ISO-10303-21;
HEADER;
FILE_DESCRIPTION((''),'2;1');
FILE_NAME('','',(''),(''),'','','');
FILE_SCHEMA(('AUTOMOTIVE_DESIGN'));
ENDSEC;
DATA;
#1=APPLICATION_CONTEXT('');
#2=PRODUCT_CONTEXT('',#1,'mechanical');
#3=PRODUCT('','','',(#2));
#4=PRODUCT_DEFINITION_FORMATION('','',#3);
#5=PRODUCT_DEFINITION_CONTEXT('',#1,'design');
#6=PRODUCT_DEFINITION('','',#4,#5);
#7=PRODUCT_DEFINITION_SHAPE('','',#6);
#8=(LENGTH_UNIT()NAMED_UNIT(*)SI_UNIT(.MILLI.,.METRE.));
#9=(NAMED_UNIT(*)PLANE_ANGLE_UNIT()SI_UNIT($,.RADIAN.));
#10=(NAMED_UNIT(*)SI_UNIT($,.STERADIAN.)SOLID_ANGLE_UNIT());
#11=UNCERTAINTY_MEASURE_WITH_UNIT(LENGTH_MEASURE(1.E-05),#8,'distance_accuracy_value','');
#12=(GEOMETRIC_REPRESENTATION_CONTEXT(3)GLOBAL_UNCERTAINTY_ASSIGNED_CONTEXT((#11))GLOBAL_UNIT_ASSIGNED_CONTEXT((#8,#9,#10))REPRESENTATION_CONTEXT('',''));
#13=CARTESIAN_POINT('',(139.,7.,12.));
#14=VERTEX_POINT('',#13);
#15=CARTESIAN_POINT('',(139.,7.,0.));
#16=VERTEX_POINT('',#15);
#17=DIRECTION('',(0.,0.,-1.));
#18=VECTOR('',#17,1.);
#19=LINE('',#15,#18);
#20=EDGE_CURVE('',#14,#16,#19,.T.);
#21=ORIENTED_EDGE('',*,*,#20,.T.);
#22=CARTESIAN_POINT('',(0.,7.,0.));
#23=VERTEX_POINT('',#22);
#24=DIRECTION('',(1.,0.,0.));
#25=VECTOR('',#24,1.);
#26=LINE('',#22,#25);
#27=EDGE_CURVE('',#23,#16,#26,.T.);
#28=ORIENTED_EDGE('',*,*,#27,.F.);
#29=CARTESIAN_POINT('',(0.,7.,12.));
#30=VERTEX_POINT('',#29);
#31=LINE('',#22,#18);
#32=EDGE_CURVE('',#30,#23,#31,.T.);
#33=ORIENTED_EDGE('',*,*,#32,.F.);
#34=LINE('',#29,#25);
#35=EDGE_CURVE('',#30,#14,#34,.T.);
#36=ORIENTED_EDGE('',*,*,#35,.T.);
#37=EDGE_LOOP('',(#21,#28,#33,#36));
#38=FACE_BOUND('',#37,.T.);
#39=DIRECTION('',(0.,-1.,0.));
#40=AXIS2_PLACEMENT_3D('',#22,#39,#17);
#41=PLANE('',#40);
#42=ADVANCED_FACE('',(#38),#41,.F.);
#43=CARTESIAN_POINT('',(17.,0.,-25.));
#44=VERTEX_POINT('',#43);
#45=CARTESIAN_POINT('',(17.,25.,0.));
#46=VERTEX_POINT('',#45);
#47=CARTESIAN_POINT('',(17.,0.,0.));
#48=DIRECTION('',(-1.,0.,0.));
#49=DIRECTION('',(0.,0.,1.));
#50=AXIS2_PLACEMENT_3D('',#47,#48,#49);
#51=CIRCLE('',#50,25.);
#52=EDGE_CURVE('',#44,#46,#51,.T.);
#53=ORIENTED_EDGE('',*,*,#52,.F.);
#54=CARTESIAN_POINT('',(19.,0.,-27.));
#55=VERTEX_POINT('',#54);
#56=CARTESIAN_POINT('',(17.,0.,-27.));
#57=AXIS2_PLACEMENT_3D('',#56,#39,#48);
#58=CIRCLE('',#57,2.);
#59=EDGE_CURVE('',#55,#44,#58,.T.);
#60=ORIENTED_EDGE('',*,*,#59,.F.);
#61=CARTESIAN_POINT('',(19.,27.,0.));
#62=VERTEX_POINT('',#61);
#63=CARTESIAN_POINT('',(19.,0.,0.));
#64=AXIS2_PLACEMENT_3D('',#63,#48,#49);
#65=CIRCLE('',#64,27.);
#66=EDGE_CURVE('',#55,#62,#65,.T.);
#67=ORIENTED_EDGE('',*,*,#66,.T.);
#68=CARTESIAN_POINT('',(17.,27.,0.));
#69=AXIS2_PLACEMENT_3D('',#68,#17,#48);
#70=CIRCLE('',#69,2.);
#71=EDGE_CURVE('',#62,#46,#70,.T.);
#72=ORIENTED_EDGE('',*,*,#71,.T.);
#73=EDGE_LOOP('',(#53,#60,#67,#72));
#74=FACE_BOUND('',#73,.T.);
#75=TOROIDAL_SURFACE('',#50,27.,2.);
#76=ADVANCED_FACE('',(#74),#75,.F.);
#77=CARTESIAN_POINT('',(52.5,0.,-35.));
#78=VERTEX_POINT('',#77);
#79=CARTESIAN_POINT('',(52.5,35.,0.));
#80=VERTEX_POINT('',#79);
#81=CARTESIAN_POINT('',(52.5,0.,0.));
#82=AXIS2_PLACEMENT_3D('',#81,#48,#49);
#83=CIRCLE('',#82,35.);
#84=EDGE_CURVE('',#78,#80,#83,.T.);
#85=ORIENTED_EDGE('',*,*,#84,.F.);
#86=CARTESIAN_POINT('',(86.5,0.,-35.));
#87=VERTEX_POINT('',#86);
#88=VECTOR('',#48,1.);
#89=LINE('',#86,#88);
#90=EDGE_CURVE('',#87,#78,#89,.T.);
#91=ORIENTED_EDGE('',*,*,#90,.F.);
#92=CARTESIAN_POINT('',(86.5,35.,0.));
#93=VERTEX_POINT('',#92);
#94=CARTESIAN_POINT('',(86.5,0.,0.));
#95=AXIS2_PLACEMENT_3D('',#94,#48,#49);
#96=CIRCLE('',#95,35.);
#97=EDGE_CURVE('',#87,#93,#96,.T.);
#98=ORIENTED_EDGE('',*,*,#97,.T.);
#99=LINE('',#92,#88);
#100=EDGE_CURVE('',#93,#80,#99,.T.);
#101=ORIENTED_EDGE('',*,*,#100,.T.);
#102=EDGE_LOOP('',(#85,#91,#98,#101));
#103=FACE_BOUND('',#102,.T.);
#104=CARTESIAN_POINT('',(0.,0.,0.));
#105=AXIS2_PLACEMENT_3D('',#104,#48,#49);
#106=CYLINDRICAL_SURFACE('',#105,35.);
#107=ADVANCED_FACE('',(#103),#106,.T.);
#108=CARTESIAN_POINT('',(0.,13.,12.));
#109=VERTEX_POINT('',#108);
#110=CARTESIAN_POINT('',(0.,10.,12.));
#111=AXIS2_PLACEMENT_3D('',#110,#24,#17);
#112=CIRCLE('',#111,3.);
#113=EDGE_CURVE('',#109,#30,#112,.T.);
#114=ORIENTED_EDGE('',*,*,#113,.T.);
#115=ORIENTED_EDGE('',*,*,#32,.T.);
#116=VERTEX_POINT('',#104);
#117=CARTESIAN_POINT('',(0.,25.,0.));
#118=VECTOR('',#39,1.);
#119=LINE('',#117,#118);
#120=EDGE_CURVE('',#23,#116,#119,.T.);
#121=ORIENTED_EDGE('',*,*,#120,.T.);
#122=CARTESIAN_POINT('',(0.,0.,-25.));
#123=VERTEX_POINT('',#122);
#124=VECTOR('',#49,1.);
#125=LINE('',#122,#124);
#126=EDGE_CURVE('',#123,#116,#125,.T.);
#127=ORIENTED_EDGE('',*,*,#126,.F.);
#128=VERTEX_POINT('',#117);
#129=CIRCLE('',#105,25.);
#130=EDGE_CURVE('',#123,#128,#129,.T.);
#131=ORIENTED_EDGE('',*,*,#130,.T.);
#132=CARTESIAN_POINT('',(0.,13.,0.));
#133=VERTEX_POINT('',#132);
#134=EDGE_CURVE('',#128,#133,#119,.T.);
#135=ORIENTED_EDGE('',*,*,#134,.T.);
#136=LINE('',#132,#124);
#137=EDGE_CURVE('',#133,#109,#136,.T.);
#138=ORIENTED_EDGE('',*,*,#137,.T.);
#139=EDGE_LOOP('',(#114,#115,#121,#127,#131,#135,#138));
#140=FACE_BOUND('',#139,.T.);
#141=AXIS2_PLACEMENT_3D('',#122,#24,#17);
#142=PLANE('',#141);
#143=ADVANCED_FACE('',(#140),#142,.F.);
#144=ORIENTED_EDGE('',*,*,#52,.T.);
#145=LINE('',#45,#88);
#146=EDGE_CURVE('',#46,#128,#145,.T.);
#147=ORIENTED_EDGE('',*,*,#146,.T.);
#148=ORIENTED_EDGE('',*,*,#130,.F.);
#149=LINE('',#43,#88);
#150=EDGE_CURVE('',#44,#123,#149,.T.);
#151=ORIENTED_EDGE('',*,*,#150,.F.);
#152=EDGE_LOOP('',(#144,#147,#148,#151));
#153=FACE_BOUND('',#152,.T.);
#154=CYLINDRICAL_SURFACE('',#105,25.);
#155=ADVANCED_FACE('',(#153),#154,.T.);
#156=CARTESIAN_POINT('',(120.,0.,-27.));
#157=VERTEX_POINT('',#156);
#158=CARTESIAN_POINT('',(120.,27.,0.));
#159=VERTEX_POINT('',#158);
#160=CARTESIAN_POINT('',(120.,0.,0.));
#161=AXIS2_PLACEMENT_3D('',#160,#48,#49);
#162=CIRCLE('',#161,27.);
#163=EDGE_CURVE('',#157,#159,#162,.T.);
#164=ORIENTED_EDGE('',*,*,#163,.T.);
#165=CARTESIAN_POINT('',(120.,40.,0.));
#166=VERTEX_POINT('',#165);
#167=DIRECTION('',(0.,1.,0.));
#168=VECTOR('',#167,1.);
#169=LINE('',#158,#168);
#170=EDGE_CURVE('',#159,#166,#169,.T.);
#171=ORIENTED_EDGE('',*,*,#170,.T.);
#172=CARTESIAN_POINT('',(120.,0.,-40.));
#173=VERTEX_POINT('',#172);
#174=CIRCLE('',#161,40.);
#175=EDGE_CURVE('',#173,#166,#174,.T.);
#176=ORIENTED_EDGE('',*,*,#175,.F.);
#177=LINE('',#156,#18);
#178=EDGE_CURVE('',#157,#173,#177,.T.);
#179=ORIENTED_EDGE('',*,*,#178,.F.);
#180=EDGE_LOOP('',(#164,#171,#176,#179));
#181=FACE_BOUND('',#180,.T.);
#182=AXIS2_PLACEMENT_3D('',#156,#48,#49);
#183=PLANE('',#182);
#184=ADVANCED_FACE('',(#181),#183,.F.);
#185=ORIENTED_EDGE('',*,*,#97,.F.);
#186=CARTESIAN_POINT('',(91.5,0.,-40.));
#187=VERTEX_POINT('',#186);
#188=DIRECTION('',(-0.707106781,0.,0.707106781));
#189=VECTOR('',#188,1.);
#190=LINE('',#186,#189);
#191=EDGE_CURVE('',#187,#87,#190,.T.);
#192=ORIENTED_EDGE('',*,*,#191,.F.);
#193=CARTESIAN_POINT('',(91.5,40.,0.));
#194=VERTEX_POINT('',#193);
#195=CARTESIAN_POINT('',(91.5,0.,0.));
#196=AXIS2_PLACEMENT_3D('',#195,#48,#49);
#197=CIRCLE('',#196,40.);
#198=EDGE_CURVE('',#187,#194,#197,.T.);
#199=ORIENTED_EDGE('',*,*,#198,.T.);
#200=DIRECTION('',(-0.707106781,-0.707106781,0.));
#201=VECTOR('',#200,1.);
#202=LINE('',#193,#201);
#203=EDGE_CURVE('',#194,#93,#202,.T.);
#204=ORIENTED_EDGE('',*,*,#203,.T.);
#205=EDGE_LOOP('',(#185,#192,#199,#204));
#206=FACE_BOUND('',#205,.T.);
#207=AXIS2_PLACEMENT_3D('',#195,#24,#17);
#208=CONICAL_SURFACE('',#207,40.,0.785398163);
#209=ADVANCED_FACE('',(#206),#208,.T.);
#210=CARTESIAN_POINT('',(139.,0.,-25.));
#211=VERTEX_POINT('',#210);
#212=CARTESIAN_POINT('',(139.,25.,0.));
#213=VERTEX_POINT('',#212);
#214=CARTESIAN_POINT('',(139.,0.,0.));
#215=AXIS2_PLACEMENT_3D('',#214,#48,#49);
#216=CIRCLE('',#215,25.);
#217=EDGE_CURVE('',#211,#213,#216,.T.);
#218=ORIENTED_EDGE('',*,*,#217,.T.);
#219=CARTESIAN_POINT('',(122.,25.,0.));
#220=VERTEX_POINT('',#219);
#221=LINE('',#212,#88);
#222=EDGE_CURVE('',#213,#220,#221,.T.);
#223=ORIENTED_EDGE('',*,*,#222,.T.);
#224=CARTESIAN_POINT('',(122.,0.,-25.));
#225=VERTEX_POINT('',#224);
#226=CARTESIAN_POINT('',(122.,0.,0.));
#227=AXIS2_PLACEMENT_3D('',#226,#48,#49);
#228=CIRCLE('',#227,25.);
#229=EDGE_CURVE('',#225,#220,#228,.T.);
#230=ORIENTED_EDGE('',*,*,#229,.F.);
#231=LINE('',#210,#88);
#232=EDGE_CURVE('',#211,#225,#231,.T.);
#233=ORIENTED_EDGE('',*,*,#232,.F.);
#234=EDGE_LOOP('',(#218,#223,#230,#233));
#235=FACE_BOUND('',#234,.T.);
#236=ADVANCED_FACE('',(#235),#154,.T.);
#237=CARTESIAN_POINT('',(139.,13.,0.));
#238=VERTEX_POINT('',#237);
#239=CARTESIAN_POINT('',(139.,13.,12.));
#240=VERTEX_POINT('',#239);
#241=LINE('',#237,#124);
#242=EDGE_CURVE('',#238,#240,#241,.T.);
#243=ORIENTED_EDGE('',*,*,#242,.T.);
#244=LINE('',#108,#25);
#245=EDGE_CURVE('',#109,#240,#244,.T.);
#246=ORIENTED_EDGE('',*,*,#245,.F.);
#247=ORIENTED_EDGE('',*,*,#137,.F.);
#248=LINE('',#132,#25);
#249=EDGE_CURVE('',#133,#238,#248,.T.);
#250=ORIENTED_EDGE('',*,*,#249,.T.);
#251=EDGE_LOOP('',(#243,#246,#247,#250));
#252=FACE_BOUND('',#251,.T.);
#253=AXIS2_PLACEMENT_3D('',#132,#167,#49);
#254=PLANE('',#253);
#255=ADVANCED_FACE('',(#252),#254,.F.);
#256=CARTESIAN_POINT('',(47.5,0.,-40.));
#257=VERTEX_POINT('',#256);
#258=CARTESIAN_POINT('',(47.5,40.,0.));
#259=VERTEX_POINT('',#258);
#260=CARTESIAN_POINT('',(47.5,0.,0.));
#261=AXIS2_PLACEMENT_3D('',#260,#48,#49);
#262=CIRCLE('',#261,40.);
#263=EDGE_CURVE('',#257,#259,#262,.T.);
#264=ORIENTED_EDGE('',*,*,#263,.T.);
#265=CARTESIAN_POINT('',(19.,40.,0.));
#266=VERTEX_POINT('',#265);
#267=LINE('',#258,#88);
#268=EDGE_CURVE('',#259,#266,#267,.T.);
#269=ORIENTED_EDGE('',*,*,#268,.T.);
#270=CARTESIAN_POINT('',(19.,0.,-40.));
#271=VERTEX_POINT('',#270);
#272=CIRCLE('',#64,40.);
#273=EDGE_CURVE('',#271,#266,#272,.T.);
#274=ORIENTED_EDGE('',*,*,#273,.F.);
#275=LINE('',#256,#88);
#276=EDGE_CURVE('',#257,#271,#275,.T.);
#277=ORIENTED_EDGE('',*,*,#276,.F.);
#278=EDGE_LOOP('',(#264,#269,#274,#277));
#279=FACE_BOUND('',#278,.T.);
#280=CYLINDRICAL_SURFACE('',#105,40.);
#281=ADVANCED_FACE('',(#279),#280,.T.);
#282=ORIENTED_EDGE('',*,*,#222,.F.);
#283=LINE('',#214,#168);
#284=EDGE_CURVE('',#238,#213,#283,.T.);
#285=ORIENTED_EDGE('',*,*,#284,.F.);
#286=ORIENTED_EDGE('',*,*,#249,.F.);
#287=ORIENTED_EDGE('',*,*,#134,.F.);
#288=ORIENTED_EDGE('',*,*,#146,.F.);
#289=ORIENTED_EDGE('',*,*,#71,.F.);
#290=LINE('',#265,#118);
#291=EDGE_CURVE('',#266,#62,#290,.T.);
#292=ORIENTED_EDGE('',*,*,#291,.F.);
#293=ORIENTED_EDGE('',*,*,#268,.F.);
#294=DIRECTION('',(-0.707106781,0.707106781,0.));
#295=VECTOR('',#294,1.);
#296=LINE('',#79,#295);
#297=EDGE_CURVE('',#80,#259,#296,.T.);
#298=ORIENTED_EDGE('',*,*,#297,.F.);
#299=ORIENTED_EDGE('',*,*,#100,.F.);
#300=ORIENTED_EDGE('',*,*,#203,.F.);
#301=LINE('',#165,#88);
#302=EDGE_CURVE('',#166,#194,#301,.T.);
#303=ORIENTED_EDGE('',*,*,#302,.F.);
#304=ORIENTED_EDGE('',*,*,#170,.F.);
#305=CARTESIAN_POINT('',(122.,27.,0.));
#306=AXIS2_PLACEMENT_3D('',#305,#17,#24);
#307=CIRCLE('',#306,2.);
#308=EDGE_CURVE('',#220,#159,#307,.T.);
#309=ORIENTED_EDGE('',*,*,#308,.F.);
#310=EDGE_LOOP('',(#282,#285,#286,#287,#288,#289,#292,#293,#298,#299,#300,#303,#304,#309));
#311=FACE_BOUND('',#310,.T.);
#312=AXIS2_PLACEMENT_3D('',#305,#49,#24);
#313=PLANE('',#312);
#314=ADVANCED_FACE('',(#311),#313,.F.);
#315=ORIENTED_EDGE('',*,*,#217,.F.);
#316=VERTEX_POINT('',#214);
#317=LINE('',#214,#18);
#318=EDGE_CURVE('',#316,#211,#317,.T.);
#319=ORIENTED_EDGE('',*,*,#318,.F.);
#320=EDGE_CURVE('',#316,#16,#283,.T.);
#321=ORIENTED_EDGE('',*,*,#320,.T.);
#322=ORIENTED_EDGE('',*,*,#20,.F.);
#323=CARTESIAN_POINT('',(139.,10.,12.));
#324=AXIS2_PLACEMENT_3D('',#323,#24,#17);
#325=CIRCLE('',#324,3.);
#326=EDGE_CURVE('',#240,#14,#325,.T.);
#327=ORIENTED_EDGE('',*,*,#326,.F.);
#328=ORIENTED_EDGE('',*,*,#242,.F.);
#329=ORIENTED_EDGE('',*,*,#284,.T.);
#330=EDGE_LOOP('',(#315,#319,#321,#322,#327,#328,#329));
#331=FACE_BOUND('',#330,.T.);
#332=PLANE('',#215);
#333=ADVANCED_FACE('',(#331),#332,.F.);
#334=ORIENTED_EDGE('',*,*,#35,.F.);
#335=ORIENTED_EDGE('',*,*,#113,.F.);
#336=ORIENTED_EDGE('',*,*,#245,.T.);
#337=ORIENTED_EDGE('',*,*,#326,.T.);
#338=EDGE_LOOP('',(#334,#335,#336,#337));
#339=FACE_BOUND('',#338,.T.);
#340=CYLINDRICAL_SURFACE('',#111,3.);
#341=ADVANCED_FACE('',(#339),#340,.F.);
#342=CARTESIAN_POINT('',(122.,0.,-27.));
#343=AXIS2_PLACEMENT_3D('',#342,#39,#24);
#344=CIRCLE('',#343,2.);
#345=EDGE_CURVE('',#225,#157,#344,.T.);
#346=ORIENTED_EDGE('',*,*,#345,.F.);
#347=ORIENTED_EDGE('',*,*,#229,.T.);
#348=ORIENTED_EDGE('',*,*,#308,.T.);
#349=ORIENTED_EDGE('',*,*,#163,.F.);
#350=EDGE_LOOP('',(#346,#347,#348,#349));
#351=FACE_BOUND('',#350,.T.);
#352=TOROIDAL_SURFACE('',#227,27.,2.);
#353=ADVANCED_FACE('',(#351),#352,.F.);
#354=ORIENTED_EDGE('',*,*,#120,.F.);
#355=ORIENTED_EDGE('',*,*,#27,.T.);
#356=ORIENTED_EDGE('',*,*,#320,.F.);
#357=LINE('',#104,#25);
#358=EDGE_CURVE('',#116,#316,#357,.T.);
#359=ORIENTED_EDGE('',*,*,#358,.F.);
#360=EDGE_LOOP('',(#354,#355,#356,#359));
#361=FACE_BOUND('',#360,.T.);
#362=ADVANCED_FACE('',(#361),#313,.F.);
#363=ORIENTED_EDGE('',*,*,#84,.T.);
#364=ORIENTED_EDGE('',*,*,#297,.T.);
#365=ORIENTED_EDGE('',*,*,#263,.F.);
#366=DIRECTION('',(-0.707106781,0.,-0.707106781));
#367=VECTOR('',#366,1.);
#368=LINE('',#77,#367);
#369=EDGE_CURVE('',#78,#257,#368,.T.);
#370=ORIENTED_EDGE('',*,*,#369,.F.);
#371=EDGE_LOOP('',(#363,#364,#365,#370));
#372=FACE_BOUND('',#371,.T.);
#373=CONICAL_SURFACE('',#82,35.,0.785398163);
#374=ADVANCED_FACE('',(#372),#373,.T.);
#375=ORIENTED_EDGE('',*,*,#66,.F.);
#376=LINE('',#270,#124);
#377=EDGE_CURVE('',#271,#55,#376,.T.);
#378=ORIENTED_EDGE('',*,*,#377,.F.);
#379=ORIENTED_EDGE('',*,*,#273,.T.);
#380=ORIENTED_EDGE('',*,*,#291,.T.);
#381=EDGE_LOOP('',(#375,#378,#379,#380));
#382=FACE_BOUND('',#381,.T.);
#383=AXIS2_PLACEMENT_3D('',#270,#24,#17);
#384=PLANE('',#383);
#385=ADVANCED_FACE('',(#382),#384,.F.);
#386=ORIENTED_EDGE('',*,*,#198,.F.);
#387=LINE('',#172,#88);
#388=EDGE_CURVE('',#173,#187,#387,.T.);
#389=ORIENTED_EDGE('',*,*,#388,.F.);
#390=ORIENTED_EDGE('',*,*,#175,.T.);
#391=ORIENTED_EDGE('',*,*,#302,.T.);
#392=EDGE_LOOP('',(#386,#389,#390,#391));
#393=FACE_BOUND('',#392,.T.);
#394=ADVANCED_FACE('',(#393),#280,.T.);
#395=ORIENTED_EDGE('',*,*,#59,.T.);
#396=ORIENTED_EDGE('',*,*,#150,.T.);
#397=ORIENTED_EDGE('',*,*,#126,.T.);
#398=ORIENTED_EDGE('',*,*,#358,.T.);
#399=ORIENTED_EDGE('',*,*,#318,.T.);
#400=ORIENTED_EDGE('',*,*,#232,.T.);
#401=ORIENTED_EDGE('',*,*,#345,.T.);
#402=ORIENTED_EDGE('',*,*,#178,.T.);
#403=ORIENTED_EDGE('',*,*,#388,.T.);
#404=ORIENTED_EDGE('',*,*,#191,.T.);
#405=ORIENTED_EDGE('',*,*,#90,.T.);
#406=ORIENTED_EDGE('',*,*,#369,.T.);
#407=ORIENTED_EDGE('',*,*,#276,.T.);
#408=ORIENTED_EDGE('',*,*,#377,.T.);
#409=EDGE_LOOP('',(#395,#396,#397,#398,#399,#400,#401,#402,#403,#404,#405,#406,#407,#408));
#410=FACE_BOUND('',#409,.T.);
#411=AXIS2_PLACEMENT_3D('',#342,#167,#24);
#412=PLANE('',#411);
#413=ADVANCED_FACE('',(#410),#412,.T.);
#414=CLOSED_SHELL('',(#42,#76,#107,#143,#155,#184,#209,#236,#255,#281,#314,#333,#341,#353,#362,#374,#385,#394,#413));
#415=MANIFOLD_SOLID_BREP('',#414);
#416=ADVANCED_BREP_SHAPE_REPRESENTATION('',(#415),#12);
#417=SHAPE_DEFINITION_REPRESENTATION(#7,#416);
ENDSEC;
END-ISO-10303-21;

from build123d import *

# Parameters (mm, degrees)
REVOLVE2_ANGLE     = 270
CUT_EXTRUDE1_DEPTH = 151.069983674


with BuildPart() as part:
    # Sketch1 → Revolve2 (revolve)
    with BuildSketch(Plane.XY):
        with BuildLine():
            Line((0, 0), (139, 0))
            Line((139, 0), (139, 25))
            Line((139, 25), (122, 25))
            ThreePointArc((122, 25), (120.585786438, 25.585786438), (120, 27))
            Line((120, 27), (120, 40))
            Line((120, 40), (91.5, 40))
            Line((91.5, 40), (86.5, 35))
            Line((86.5, 35), (52.5, 35))
            Line((52.5, 35), (47.5, 40))
            Line((47.5, 40), (19, 40))
            Line((19, 40), (19, 27))
            ThreePointArc((19, 27), (18.414213562, 25.585786438), (17, 25))
            Line((17, 25), (0, 25))
            Line((0, 25), (0, 0))
        make_face()
    revolve(axis=Axis((0, 0, 0), (1, 0, 0)), revolution_arc=REVOLVE2_ANGLE)

    # Sketch2 → Cut-Extrude1 (cut, through all)
    with BuildSketch(Plane(origin=(139, 0, 0), x_dir=(0, 0, -1), z_dir=(1, 0, 0))):
        with BuildLine():
            Line((0, 7), (-12, 7))
            ThreePointArc((-12, 7), (-15, 10), (-12, 13))
            Line((-12, 13), (0, 13))
            Line((0, 13), (0, 7))
        make_face()
    extrude(amount=-CUT_EXTRUDE1_DEPTH, mode=Mode.SUBTRACT)


solid = part.part
